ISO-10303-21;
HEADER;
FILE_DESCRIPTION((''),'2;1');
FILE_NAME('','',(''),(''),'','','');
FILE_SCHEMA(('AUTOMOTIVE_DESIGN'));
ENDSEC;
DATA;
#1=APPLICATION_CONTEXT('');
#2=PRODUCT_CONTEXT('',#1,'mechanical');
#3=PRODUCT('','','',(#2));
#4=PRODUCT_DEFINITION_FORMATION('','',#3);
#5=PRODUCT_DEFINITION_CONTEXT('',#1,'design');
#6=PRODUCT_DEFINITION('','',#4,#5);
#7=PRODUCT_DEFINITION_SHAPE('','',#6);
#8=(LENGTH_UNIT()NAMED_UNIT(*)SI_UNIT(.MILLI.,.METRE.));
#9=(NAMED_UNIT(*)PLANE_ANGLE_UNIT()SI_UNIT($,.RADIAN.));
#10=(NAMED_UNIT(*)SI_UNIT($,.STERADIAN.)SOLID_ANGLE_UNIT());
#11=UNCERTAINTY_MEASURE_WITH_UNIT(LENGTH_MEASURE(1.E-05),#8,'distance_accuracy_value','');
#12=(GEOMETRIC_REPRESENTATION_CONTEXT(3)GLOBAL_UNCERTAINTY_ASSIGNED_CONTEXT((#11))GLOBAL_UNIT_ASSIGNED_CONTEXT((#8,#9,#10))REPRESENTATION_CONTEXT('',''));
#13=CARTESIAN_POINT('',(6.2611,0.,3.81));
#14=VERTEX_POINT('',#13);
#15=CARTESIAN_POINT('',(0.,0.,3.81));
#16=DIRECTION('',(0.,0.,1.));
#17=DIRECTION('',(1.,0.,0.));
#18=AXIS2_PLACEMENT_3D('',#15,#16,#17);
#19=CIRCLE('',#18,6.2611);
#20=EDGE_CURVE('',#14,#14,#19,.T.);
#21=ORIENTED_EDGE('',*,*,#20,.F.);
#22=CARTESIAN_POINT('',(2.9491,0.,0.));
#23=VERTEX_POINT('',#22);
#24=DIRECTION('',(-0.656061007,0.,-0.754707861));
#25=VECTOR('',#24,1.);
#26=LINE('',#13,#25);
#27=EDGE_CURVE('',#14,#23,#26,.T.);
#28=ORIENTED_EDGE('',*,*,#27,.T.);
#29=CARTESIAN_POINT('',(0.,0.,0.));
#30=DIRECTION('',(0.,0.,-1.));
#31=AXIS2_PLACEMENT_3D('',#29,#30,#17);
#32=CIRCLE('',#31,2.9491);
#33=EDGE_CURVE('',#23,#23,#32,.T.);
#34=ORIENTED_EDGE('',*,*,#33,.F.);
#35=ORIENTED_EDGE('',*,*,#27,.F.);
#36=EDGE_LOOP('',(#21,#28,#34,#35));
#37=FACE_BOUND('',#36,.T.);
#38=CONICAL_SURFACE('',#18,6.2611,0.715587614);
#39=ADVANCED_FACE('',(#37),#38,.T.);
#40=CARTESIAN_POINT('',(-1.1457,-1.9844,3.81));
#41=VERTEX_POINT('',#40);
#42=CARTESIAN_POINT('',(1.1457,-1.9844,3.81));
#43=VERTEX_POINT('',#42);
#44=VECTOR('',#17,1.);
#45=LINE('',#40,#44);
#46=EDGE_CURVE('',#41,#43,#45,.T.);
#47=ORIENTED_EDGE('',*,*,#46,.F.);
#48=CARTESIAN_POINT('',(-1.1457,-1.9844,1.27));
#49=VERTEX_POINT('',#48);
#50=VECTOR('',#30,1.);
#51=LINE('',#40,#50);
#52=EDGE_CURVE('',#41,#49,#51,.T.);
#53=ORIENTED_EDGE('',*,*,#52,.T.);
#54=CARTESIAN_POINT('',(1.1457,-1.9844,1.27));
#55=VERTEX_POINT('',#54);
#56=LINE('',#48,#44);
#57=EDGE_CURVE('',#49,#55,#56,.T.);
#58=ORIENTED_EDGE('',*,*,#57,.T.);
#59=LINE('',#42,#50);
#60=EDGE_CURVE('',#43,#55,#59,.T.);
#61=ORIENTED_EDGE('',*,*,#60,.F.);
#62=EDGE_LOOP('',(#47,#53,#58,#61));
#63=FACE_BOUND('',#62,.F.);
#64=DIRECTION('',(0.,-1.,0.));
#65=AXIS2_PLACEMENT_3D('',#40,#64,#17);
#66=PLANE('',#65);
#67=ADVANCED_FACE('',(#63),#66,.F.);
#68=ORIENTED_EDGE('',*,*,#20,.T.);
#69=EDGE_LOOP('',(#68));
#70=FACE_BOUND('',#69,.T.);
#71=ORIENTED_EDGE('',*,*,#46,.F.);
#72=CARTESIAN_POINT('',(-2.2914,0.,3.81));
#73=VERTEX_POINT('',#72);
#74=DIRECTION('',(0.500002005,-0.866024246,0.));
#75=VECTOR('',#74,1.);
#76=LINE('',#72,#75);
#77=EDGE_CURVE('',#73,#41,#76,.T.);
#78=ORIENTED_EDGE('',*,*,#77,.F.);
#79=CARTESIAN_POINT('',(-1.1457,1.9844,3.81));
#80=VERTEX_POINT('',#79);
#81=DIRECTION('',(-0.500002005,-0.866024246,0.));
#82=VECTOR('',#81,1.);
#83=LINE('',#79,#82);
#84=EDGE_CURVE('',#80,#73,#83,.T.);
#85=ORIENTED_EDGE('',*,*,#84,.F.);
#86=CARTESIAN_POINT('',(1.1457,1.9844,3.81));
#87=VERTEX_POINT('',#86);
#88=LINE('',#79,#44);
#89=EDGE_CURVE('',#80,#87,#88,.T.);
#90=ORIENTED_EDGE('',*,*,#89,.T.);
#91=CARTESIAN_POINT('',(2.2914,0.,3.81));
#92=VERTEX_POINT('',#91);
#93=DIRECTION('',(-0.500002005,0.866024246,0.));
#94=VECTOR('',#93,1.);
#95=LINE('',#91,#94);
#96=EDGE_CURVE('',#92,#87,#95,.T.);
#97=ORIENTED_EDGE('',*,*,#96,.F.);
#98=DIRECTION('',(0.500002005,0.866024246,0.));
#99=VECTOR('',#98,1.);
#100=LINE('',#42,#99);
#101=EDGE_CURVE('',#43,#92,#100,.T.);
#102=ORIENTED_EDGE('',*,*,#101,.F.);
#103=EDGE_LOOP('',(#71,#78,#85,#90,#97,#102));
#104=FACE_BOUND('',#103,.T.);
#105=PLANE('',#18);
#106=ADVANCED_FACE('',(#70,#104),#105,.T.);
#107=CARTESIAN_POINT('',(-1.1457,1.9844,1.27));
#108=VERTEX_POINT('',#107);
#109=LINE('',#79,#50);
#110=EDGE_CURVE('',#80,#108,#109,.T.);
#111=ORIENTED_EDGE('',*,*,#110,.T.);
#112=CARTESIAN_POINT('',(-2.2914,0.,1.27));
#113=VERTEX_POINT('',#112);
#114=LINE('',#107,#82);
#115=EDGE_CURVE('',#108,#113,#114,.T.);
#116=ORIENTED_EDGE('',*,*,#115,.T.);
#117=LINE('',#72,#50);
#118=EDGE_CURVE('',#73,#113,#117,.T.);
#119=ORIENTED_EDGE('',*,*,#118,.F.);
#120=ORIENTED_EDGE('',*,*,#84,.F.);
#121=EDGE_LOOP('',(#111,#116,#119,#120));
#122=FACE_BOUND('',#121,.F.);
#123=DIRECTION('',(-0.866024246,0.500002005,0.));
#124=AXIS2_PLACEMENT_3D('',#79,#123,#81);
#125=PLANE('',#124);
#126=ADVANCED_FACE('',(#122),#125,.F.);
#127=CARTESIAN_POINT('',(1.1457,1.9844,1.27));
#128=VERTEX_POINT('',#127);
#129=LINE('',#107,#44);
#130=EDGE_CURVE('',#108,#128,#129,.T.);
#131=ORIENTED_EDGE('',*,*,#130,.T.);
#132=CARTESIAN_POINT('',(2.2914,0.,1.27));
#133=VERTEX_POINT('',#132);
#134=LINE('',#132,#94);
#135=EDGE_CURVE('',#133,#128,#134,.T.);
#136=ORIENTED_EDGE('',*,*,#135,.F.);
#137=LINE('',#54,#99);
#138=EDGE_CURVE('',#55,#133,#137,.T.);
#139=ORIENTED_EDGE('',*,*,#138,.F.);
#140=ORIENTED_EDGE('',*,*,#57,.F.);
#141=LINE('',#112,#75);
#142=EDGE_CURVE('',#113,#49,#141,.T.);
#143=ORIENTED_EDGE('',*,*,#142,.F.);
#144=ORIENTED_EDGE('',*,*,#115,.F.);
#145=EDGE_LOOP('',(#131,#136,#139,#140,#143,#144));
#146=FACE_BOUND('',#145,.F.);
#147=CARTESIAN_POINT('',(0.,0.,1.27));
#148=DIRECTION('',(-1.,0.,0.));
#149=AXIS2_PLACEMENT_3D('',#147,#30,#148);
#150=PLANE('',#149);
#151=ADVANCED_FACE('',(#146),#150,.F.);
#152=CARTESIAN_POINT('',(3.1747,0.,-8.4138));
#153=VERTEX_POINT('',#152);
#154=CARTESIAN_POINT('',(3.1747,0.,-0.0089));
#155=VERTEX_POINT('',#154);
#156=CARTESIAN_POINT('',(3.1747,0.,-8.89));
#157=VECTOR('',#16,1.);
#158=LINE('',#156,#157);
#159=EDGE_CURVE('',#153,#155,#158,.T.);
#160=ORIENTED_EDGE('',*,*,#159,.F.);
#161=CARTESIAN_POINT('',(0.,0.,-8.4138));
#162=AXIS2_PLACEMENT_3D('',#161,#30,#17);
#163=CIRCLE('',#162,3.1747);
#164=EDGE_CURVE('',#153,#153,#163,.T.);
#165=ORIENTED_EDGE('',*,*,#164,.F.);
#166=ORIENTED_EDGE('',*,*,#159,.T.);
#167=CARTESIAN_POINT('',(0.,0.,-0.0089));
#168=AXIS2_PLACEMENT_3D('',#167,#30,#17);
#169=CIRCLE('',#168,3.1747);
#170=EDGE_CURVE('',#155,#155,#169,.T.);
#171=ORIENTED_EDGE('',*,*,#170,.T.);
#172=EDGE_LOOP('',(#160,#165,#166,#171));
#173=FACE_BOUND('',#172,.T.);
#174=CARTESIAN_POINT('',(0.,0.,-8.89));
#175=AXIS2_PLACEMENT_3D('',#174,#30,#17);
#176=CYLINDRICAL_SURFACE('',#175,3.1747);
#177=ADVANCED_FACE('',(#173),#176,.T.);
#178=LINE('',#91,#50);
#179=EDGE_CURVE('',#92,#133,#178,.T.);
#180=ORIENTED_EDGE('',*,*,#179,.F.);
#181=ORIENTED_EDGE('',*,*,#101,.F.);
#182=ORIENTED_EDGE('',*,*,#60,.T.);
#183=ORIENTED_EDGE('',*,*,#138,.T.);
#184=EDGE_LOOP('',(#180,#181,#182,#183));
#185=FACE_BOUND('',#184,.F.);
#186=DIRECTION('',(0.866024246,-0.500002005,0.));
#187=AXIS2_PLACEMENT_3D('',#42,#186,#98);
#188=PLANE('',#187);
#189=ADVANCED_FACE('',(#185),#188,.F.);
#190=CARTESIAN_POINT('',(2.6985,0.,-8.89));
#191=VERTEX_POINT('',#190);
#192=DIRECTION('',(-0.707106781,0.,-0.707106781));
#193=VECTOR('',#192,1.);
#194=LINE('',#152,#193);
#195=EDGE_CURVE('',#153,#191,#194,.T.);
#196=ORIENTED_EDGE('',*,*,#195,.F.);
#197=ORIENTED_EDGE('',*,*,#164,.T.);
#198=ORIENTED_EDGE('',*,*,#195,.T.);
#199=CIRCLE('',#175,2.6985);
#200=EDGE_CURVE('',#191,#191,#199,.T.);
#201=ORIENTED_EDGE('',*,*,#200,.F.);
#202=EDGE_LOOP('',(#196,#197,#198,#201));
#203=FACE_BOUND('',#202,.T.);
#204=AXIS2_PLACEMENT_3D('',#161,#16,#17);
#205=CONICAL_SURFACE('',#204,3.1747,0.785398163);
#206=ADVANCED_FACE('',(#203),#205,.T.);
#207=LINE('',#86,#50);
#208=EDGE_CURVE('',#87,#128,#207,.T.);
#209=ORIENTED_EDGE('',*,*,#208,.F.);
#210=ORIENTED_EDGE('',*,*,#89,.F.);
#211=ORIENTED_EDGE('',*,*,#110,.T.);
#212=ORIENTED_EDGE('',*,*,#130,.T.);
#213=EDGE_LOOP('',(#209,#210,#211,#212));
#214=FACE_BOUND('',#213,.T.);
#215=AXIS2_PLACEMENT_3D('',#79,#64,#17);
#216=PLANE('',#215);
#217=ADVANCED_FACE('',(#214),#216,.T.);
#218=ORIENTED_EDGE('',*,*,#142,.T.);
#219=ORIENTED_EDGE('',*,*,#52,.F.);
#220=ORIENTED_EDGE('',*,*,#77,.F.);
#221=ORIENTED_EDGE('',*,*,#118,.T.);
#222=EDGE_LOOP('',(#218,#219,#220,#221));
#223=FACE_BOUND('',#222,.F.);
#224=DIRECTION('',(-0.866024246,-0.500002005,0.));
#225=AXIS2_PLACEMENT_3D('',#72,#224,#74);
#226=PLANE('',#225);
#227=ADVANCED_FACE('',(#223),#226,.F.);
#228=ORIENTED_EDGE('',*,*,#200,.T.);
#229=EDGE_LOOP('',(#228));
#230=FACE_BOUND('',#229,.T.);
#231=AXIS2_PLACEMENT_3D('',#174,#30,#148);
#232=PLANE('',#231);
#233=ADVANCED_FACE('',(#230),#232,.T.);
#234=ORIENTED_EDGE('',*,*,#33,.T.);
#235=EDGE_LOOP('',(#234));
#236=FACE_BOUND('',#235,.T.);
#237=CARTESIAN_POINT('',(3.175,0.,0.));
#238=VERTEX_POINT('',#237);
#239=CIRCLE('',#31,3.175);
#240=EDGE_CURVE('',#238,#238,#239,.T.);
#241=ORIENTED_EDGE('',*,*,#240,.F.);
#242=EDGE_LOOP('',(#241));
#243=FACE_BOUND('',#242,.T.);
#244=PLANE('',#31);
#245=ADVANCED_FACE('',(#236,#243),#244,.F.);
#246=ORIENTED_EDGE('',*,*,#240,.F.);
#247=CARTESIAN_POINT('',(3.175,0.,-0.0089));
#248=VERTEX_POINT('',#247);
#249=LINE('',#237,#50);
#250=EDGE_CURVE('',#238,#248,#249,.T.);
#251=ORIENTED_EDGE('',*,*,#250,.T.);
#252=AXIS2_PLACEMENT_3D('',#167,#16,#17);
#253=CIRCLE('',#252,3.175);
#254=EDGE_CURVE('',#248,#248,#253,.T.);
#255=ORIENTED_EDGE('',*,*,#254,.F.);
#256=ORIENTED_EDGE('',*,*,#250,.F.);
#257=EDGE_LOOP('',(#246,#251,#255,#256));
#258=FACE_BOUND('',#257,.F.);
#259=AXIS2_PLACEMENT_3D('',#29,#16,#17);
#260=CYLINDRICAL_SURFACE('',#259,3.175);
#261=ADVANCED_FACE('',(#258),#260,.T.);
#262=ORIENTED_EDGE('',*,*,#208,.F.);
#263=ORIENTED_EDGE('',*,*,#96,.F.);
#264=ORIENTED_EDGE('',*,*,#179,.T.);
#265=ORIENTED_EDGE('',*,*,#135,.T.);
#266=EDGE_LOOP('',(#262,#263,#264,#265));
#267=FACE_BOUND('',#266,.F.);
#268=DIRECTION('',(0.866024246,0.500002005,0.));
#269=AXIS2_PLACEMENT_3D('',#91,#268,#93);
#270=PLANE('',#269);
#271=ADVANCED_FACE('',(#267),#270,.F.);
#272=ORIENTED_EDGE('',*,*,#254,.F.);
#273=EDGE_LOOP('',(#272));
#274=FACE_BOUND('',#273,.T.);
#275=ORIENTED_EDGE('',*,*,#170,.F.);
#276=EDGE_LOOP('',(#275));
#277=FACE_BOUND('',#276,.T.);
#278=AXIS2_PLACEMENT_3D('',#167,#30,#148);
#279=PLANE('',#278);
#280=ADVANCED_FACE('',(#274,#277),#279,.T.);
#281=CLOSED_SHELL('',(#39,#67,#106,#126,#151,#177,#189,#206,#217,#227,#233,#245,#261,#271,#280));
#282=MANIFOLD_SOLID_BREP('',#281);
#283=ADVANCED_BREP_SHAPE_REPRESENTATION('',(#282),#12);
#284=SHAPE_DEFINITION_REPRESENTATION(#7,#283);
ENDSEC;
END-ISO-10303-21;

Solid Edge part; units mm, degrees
sketch "Sketch1" plane through (0, 0, 0) normal (0, 0, 1) x (1, 0, 0)
  circle A0 centre (0, 0) radius 6.2611
  dimension "D1" = 12.5222
extrude "Protrusion1" add sketch "Sketch1" along normal blind 3.81
sketch "Sketch2" plane through (0, 0, 0) normal (0, 0, -1) x (1, 0, 0)
  circle A0 centre (0, 0) radius 3.175
extrude "Protrusion2" add sketch "Sketch2" along normal blind 8.89
sketch "Sketch3" plane through (0, 0, -8.89) normal (0, 0, -1) x (1, 0, 0)
  circle A0 centre (0, 0) radius 3.1747
extrude "Cutout1" cut sketch "Sketch3" against normal blind 8.8811 flip side to cut
chamfer "Chamfer_1" distance 0.4762 angle 45 1 edges at (-3.1747, 0, -8.89)
sketch "Sketch4" plane through (0, 0, 3.81) normal (0, 0, 1) x (1, 0, 0)
  line L0 (-1.1457, 1.9844) -> (1.1457, 1.9844)
  line L1 (2.2914, 0) -> (1.1457, 1.9844)
  line L2 (1.1457, -1.9844) -> (2.2914, 0)
  line L3 (-1.1457, -1.9844) -> (1.1457, -1.9844)
  line L4 (-2.2914, 0) -> (-1.1457, -1.9844)
  line L5 (-1.1457, 1.9844) -> (-2.2914, 0)
  dimension "D1" = 3.9688
extrude "Cutout2" cut sketch "Sketch4" against normal blind 2.54
sketch "Sketch5" plane through (0, 0, 0) normal (0, -1, 0) x (1, 0, 0)
  line L0 (6.2611, 3.81) -> (2.9491, 0)
  line L1 (2.9491, 0) -> (6.2611, 0)
  line L2 (6.2611, 0) -> (6.2611, 3.81)
revolve "RevolvedCutout1" cut sketch "Sketch5" angle 360 about axis through (0, 0, 14.0017) along (0, 0, -1)
properties part number "117669"
